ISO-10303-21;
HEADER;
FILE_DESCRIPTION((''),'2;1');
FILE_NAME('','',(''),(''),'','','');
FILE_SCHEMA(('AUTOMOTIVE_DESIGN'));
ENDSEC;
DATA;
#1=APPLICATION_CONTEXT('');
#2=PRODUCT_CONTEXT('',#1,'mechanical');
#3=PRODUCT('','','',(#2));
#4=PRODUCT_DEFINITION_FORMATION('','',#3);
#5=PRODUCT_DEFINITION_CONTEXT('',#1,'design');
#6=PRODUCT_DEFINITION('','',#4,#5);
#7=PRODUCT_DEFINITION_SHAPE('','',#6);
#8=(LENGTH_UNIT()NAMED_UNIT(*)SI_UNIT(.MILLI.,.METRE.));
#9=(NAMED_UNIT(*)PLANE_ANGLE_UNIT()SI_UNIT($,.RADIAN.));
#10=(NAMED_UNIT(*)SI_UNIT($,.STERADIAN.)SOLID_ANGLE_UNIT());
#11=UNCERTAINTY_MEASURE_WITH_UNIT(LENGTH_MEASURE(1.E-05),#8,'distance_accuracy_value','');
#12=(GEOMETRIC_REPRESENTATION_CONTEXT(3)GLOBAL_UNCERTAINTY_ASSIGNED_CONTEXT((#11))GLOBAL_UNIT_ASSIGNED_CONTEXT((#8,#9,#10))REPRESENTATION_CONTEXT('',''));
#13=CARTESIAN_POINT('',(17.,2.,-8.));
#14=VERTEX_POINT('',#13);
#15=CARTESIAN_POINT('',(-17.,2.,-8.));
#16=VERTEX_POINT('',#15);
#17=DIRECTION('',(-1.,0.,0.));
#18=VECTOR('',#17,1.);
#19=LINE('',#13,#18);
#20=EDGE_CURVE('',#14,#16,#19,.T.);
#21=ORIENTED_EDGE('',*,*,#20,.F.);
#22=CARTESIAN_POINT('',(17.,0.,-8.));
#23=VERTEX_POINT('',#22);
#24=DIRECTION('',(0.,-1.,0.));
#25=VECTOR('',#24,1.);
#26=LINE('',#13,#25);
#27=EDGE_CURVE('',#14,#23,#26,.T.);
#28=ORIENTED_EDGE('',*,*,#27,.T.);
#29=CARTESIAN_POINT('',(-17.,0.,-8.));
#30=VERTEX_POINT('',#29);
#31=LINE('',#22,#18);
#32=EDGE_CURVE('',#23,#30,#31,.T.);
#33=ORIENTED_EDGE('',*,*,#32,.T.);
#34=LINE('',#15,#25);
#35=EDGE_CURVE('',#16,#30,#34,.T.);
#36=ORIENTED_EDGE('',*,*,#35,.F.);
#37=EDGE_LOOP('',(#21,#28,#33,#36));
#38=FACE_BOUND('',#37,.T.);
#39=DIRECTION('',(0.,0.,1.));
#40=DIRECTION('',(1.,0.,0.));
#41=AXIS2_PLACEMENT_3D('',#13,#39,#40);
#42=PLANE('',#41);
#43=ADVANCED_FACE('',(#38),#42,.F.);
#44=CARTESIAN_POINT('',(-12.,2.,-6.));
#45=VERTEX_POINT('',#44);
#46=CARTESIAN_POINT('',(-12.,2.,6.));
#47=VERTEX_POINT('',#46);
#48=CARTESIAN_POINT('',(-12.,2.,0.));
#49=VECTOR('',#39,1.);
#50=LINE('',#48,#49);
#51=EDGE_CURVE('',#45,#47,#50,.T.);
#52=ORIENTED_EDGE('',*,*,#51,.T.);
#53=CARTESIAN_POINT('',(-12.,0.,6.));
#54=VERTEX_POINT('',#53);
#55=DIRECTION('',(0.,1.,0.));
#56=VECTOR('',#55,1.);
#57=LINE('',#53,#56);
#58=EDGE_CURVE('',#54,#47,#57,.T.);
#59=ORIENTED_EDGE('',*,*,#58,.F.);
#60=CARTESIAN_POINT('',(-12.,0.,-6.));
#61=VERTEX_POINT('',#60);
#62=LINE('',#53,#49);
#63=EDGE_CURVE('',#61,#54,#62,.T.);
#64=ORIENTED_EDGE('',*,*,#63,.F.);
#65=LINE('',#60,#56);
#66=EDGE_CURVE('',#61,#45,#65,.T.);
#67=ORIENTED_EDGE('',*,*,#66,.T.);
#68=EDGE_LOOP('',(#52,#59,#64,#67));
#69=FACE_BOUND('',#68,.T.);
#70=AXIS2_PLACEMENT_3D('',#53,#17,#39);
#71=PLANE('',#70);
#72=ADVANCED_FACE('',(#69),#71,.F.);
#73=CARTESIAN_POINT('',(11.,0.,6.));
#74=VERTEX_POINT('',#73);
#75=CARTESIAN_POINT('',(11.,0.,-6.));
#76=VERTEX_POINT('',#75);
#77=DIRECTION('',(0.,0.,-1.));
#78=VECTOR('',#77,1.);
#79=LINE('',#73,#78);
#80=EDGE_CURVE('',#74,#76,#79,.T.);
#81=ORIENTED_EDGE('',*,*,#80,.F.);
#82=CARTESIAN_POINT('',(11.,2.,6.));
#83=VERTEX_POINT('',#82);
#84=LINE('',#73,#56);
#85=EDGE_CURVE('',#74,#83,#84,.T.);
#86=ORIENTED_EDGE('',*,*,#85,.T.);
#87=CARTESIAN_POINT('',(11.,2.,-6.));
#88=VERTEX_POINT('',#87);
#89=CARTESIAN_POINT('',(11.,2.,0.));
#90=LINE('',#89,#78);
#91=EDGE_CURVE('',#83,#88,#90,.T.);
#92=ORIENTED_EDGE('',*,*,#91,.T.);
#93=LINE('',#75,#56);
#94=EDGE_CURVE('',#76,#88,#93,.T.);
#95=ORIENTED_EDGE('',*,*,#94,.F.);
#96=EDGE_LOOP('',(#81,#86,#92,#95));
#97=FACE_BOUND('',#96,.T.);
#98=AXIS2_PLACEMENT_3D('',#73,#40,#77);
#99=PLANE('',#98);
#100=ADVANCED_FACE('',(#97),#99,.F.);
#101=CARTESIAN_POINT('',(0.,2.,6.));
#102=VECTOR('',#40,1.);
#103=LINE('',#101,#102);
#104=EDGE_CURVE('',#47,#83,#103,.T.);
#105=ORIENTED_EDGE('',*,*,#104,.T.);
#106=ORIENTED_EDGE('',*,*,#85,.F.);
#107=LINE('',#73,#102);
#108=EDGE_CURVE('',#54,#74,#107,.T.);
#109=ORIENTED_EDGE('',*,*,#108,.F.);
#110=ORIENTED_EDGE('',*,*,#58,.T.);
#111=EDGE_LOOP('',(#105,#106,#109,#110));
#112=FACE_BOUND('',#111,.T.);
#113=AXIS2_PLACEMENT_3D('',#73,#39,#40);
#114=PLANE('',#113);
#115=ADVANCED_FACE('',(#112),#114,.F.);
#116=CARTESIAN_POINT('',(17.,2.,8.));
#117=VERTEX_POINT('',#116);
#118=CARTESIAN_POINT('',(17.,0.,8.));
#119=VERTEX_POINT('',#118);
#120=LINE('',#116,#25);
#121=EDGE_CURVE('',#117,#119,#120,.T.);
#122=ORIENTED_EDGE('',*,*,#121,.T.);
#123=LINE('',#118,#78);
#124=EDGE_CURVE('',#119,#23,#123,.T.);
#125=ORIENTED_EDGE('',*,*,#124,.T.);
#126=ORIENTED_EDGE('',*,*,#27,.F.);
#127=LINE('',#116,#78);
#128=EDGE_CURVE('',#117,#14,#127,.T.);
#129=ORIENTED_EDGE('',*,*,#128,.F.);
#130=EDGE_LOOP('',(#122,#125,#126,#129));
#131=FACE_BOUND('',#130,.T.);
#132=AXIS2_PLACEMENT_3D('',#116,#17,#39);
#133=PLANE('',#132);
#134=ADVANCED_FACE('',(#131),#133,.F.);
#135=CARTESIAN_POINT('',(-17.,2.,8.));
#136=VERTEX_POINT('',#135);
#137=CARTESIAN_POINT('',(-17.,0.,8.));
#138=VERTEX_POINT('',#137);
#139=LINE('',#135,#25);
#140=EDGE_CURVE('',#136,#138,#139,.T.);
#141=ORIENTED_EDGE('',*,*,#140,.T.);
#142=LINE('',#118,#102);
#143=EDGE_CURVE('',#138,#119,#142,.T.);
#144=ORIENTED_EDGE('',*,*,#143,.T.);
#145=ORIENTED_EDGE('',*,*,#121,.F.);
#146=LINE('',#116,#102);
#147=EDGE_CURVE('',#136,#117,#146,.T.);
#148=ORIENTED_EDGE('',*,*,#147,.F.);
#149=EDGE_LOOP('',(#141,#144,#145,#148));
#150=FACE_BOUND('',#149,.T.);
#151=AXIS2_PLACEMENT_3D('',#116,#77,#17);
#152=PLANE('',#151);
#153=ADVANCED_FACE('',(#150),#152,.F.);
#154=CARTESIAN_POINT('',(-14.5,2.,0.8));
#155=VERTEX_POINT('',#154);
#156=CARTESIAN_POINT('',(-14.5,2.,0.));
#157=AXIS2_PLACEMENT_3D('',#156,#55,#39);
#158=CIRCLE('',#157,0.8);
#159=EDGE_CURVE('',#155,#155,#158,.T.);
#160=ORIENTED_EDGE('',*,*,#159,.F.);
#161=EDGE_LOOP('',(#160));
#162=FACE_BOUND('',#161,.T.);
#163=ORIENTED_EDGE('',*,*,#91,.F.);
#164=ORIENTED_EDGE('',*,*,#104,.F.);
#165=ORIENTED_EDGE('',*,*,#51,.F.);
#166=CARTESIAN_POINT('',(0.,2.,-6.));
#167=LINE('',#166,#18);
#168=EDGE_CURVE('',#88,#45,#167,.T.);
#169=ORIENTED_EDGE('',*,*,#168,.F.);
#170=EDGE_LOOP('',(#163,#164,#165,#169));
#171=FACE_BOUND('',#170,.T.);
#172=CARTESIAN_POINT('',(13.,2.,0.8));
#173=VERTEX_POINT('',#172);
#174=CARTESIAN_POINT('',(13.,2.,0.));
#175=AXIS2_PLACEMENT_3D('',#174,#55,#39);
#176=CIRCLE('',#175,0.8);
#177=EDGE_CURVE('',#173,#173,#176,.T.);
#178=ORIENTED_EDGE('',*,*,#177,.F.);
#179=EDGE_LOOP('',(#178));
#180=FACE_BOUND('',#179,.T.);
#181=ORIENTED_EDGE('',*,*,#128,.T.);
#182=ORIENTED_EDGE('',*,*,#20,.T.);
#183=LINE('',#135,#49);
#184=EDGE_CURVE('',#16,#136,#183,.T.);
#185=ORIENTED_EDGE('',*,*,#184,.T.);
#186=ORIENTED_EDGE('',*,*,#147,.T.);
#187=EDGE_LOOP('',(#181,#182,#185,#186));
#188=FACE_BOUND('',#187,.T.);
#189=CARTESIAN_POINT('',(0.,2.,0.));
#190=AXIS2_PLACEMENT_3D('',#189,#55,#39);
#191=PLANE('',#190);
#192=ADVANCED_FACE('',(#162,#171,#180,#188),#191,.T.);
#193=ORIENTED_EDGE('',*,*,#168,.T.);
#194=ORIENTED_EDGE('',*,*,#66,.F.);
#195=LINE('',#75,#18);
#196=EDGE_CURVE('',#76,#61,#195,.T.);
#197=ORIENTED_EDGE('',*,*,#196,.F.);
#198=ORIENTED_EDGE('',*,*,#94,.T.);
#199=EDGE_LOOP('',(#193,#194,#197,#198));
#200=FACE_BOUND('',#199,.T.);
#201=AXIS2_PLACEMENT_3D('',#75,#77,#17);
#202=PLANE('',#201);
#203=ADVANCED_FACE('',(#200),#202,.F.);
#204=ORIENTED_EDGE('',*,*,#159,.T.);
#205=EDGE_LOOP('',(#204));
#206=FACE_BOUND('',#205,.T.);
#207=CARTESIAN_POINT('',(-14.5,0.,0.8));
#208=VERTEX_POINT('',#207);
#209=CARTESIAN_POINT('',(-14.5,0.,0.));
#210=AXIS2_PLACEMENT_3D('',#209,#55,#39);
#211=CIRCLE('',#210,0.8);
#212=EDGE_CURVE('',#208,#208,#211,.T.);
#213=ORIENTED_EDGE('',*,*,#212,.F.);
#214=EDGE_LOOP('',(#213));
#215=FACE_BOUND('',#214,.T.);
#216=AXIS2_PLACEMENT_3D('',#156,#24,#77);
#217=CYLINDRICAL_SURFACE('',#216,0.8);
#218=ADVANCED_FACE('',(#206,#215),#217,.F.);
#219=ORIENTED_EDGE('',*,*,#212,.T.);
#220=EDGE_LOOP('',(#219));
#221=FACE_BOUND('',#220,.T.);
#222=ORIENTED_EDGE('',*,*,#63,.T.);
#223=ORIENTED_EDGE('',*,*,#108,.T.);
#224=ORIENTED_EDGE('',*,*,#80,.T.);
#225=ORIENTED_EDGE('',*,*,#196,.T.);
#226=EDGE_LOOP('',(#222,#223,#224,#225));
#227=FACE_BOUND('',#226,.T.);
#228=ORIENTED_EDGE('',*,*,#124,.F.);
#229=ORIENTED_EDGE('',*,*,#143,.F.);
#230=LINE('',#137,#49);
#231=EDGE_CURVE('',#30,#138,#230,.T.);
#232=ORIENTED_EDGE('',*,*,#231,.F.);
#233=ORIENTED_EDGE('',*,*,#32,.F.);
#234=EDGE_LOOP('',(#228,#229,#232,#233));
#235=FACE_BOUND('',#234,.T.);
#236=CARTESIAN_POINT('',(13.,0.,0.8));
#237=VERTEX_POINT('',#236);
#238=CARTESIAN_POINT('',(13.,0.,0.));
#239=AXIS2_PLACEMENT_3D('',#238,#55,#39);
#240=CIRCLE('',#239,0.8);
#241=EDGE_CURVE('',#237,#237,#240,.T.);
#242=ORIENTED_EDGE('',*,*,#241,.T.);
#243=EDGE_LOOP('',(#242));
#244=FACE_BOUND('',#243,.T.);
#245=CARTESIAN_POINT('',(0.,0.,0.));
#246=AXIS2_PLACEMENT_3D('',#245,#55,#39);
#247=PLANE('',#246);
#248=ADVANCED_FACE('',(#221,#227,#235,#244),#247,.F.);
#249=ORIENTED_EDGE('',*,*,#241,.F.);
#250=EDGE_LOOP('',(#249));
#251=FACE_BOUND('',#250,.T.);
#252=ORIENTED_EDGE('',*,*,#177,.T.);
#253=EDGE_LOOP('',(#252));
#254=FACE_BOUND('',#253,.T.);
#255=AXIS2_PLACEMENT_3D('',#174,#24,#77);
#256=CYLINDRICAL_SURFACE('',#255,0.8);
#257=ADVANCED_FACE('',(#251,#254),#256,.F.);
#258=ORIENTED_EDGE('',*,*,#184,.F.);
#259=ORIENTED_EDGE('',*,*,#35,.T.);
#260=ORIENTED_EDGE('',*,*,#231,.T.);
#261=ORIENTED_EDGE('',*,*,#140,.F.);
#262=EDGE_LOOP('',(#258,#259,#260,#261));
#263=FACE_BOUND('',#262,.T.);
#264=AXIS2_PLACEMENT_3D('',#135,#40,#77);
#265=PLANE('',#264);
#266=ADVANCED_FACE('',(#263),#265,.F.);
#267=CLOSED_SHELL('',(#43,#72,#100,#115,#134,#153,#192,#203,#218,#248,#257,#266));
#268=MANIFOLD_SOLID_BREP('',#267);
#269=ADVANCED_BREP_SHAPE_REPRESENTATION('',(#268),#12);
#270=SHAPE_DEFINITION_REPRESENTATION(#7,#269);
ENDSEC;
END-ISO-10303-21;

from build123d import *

# Parameters (mm, degrees)
SKETCH1_W               = 34
SKETCH1_H               = 16
BOSS_EXTRUDE1_DEPTH     = 2
CUT_EXTRUDE1_DEPTH      = 19.894443628
CUT_EXTRUDE1_DEPTH_BACK = 19.894443628
SKETCH2_W               = 23
SKETCH2_H               = 12
SKETCH3_R               = 0.8
CUT_EXTRUDE5_DEPTH      = 2


with BuildPart() as part:
    # Sketch1 → Boss-Extrude1 (new body)
    with BuildSketch(Plane(origin=(0, 0, 0), x_dir=(1, 0, 0), z_dir=(0, 1, 0))):
        Rectangle(SKETCH1_W, SKETCH1_H)
    extrude(amount=BOSS_EXTRUDE1_DEPTH)

    # Sketch2 → Cut-Extrude1 (cut, two sides: drawn at the far end of the back side and taken through both)
    with BuildSketch(Plane(origin=(0, 2, 0), x_dir=(1, 0, 0), z_dir=(0, 1, 0)).offset(-CUT_EXTRUDE1_DEPTH_BACK)):
        with Locations((-0.5, 0)):
            Rectangle(SKETCH2_W, SKETCH2_H)
    extrude(amount=CUT_EXTRUDE1_DEPTH + CUT_EXTRUDE1_DEPTH_BACK, mode=Mode.SUBTRACT)

    # Sketch3 → Cut-Extrude5 (cut)
    with BuildSketch(Plane(origin=(0, 0, 0), x_dir=(1, 0, 0), z_dir=(0, 1, 0))):
        with Locations(Location((-14.5, 0, 0), (0, 0, 270))):
            Circle(SKETCH3_R)
        with Locations(Location((13, 0, 0), (0, 0, 270))):
            Circle(SKETCH3_R)
    extrude(amount=CUT_EXTRUDE5_DEPTH, mode=Mode.SUBTRACT)


solid = part.part
